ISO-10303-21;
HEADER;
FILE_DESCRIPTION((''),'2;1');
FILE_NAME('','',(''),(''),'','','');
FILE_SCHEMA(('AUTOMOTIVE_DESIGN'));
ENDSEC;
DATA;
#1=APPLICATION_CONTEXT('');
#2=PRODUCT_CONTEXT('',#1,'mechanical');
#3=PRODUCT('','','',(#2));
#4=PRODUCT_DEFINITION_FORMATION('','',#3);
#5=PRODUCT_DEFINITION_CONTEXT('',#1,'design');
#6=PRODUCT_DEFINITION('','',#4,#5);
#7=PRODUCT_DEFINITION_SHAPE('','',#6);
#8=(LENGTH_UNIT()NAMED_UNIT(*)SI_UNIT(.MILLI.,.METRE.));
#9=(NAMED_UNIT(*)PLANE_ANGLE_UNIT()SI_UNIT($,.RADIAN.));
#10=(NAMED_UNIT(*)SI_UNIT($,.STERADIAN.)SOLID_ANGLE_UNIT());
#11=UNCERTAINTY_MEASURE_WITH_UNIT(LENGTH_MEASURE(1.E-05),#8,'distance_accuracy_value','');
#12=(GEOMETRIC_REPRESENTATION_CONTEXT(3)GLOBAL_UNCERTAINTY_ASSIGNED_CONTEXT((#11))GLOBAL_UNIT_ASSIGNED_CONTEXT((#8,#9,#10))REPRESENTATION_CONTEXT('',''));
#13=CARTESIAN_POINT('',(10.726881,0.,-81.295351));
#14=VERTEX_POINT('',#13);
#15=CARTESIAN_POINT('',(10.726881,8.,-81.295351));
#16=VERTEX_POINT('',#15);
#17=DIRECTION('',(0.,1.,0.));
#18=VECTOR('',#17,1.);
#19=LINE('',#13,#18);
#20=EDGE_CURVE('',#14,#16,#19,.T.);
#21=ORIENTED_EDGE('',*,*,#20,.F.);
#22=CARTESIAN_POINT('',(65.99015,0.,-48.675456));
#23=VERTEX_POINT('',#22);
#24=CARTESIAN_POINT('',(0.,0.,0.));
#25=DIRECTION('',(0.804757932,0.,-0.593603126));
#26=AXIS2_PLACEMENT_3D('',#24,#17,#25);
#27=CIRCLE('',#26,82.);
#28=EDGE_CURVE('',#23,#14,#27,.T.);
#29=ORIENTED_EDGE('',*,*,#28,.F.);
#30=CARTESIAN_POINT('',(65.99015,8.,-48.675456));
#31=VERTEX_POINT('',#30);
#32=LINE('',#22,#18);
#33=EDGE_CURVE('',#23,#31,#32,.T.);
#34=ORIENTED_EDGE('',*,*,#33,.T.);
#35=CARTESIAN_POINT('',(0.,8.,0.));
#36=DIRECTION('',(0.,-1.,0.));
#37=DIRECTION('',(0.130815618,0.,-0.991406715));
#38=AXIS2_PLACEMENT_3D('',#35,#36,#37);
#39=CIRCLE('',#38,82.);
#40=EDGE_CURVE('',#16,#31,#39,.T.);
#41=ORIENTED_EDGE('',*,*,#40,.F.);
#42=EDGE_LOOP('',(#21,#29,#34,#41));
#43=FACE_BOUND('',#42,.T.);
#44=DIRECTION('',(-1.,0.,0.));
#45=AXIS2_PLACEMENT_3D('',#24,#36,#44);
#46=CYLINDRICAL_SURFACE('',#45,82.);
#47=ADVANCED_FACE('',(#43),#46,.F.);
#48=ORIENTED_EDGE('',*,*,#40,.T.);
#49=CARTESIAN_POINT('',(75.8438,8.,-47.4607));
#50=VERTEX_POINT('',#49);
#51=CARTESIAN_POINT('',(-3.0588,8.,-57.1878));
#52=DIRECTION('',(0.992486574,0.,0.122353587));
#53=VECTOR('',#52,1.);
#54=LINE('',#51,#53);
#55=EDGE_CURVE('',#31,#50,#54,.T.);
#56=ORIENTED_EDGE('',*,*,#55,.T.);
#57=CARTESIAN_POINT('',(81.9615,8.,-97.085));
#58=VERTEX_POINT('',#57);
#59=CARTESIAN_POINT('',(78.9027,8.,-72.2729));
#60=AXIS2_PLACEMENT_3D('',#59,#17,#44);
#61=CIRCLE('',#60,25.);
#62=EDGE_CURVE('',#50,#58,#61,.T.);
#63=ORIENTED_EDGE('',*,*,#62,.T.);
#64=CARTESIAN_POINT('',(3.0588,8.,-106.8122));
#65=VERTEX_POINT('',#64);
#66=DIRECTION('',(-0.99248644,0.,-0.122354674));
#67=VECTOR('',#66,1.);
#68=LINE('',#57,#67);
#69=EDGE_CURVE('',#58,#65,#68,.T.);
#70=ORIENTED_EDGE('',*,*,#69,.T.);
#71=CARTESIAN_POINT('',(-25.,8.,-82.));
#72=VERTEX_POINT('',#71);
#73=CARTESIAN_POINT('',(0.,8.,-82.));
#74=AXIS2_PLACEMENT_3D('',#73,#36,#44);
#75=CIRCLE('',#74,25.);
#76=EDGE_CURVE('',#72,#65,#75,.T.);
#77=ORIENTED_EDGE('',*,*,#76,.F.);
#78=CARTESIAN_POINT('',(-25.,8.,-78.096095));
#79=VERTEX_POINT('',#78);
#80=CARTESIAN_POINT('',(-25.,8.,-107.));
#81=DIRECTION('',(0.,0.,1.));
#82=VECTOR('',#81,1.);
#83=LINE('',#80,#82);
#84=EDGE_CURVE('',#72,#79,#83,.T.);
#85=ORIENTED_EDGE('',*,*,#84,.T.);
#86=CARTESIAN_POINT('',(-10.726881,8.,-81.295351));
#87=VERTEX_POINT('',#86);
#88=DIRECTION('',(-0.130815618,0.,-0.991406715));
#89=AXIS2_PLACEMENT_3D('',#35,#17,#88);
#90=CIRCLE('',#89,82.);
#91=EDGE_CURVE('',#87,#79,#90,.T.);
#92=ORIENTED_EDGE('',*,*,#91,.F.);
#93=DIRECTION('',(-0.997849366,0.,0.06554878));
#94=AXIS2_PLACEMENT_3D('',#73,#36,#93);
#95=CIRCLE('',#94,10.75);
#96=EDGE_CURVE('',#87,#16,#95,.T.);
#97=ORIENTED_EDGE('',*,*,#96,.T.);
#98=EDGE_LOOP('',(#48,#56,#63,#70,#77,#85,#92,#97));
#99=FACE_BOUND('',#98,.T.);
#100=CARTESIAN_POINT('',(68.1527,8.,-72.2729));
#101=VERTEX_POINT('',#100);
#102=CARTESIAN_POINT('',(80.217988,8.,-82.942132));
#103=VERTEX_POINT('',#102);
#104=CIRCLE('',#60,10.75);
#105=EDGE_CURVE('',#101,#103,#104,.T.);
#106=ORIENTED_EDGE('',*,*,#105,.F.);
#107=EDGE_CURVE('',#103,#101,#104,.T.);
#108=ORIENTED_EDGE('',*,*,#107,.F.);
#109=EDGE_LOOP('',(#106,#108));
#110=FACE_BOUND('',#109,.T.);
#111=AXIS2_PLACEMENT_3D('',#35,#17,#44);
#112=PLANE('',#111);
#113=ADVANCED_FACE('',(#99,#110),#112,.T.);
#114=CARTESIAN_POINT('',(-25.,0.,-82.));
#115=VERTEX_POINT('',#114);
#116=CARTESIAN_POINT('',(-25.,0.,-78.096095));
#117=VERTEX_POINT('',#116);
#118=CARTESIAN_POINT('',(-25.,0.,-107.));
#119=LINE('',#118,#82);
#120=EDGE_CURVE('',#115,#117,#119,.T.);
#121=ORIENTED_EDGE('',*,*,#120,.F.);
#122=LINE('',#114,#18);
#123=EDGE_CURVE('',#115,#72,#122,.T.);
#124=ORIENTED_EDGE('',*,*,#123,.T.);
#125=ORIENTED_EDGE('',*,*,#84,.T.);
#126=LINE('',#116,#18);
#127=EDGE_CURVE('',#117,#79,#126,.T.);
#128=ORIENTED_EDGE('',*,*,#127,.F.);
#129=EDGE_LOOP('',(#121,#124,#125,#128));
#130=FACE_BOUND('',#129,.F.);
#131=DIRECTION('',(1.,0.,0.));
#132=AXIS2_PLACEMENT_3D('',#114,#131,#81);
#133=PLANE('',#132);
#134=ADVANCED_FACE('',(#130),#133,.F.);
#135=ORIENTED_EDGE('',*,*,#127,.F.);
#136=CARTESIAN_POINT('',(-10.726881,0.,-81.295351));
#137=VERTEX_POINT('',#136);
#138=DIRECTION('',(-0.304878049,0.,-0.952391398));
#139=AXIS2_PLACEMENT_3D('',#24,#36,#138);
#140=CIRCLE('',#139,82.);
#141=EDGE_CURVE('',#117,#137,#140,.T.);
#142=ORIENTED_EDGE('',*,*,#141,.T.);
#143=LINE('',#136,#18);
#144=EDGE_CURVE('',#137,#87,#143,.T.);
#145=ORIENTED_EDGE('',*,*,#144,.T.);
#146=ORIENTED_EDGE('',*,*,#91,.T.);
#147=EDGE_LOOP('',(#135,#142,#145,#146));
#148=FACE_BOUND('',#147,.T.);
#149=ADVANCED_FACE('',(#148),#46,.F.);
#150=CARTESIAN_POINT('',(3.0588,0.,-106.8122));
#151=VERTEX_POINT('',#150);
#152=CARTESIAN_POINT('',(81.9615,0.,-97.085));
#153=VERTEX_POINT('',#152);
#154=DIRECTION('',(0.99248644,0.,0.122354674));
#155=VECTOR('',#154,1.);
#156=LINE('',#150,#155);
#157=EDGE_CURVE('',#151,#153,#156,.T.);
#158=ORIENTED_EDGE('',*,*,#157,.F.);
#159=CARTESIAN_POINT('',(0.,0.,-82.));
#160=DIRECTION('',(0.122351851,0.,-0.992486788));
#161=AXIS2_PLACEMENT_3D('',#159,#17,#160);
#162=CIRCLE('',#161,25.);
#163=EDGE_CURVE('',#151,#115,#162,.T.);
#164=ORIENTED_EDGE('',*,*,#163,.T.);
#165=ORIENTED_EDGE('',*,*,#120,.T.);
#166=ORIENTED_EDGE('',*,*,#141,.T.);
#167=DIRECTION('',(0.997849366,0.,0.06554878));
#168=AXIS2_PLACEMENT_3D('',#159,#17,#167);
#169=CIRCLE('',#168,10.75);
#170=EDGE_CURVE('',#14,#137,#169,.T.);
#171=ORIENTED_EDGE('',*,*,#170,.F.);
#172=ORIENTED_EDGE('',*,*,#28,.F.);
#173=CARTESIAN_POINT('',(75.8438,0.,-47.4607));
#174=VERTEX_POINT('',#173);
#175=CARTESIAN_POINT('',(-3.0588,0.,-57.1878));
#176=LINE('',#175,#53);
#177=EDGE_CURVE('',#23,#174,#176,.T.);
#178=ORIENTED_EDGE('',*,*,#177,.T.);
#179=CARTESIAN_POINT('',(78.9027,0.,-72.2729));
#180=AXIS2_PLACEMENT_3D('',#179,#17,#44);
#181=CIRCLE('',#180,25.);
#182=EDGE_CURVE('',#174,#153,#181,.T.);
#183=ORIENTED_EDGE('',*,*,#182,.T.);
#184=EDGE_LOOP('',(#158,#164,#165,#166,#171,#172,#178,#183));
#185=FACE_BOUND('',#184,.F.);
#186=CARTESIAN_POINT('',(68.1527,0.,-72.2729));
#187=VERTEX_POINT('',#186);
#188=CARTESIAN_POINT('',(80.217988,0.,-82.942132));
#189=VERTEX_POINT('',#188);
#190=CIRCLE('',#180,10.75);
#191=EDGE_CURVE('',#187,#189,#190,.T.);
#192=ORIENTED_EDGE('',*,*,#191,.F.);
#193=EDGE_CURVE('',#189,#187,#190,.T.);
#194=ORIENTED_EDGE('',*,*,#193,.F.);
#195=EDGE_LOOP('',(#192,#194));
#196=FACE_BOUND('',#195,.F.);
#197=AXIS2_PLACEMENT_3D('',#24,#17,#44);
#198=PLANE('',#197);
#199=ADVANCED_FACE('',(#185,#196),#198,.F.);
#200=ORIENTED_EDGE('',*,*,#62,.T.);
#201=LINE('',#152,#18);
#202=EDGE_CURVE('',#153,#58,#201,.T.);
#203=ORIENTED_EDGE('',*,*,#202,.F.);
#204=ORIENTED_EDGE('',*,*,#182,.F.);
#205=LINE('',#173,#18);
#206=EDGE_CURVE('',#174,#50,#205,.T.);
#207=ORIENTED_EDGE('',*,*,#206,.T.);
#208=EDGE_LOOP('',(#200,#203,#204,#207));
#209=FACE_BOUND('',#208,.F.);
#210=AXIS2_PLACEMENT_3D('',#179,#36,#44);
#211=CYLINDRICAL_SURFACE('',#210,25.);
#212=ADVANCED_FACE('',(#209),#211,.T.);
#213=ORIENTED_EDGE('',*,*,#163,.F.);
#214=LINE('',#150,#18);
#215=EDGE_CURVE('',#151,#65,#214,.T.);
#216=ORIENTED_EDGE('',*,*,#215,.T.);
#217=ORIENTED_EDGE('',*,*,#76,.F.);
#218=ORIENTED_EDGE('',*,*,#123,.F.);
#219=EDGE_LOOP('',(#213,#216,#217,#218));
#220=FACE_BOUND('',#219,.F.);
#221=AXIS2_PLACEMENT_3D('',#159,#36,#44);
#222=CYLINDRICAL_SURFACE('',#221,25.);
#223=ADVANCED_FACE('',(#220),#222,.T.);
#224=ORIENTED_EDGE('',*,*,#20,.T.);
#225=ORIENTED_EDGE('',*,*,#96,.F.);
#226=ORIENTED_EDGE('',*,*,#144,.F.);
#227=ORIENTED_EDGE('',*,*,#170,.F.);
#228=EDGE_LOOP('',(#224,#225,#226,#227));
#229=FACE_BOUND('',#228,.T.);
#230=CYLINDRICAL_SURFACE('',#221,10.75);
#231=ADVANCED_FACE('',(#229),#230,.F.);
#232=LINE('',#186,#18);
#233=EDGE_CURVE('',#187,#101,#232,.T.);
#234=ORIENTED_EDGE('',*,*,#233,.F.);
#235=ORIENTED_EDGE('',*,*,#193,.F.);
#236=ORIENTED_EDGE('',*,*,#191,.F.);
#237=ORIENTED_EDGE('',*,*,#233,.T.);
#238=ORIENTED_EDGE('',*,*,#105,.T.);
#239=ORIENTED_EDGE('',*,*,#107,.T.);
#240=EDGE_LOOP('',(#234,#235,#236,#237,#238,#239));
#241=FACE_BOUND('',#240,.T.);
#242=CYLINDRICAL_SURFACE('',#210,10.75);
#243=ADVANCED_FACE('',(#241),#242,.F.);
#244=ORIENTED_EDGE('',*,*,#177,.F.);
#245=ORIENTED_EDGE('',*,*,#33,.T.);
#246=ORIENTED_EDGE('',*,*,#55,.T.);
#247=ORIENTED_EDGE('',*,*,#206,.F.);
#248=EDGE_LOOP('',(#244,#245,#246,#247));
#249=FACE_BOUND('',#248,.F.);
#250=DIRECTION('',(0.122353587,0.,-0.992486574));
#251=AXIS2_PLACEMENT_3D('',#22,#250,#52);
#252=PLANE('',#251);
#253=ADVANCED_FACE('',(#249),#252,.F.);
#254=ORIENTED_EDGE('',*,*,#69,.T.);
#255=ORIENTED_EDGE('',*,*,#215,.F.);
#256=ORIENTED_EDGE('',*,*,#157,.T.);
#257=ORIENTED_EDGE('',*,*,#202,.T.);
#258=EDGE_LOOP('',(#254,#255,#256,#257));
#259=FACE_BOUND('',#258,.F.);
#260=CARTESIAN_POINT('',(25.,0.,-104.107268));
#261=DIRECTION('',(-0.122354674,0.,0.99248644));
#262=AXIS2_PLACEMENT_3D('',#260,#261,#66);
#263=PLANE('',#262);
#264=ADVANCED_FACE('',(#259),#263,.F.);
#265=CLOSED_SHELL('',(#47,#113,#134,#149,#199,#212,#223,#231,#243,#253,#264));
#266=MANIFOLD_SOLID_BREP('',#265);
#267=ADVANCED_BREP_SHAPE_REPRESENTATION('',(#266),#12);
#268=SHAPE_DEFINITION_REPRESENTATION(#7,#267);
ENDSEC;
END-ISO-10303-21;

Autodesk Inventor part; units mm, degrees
ref_plane "YZ Plane" through (0, 0, 0) normal (1, 0, 0) x (0, 1, 0)
ref_plane "XZ Plane" through (0, 0, 0) normal (0, 1, 0) x (-1, 0, 0)
ref_plane "XY Plane" through (0, 0, 0) normal (0, 0, 1) x (1, 0, 0)
sketch "スケッチ1" plane through (0, 0, 0) normal (0, 1, 0) x (-1, 0, 0)
  line L0 (25, 0) -> (-25, 0)
  line L1 (-25, 0) -> (-25, -107)
  line L2 (-25, -107) -> (25, -107)
  line L3 (25, -107) -> (25, 0)
  circle A0 centre (0, 0) radius 25
  circle A1 centre (0, 0) radius 57 construction
  circle A2 centre (0, -82) radius 25
  circle A3 centre (0, 0) radius 75 construction
  circle A4 centre (0, -82) radius 10.75
  circle A5 centre (0, 0) radius 10
  circle A6 centre (0, 0) radius 82
  circle A7 centre (-78.9027, -72.2729) radius 25
  circle A8 centre (-78.9027, -72.2729) radius 10.75
  line L4 (-78.9027, -72.2729) -> (-81.9615, -97.085)
  line L5 (-81.9615, -97.085) -> (-3.0588, -106.8122)
  line L6 (3.0588, -57.1878) -> (-75.8438, -47.4607)
  point P0 (25, -78.0961)
  point P1 (10.7269, -81.2954)
  point P2 (-10.7269, -81.2954)
  point P3 (-25, -78.0961)
  point P4 (-65.9901, -48.6755)
  point P5 (25, -82)
  dimension "d0" = 114
  dimension "d2" = 150
  dimension "d3" = 21.5
  dimension "d4" = 20
  dimension "d5" = 50
  dimension "d13" = 79.5
extrude "押し出し1" add sketch "スケッチ1" along normal blind 8 contours L3 A2 A6 | A2 A6 A4 | A6 A7 L6 | A6 A2 L1 | L1 L5 A7 A6 | L5 L1 A2 | A7 picked at (-16.5005, -84.9893)
properties part number "gear_plate_2" material "木材 (カエデ材)"
